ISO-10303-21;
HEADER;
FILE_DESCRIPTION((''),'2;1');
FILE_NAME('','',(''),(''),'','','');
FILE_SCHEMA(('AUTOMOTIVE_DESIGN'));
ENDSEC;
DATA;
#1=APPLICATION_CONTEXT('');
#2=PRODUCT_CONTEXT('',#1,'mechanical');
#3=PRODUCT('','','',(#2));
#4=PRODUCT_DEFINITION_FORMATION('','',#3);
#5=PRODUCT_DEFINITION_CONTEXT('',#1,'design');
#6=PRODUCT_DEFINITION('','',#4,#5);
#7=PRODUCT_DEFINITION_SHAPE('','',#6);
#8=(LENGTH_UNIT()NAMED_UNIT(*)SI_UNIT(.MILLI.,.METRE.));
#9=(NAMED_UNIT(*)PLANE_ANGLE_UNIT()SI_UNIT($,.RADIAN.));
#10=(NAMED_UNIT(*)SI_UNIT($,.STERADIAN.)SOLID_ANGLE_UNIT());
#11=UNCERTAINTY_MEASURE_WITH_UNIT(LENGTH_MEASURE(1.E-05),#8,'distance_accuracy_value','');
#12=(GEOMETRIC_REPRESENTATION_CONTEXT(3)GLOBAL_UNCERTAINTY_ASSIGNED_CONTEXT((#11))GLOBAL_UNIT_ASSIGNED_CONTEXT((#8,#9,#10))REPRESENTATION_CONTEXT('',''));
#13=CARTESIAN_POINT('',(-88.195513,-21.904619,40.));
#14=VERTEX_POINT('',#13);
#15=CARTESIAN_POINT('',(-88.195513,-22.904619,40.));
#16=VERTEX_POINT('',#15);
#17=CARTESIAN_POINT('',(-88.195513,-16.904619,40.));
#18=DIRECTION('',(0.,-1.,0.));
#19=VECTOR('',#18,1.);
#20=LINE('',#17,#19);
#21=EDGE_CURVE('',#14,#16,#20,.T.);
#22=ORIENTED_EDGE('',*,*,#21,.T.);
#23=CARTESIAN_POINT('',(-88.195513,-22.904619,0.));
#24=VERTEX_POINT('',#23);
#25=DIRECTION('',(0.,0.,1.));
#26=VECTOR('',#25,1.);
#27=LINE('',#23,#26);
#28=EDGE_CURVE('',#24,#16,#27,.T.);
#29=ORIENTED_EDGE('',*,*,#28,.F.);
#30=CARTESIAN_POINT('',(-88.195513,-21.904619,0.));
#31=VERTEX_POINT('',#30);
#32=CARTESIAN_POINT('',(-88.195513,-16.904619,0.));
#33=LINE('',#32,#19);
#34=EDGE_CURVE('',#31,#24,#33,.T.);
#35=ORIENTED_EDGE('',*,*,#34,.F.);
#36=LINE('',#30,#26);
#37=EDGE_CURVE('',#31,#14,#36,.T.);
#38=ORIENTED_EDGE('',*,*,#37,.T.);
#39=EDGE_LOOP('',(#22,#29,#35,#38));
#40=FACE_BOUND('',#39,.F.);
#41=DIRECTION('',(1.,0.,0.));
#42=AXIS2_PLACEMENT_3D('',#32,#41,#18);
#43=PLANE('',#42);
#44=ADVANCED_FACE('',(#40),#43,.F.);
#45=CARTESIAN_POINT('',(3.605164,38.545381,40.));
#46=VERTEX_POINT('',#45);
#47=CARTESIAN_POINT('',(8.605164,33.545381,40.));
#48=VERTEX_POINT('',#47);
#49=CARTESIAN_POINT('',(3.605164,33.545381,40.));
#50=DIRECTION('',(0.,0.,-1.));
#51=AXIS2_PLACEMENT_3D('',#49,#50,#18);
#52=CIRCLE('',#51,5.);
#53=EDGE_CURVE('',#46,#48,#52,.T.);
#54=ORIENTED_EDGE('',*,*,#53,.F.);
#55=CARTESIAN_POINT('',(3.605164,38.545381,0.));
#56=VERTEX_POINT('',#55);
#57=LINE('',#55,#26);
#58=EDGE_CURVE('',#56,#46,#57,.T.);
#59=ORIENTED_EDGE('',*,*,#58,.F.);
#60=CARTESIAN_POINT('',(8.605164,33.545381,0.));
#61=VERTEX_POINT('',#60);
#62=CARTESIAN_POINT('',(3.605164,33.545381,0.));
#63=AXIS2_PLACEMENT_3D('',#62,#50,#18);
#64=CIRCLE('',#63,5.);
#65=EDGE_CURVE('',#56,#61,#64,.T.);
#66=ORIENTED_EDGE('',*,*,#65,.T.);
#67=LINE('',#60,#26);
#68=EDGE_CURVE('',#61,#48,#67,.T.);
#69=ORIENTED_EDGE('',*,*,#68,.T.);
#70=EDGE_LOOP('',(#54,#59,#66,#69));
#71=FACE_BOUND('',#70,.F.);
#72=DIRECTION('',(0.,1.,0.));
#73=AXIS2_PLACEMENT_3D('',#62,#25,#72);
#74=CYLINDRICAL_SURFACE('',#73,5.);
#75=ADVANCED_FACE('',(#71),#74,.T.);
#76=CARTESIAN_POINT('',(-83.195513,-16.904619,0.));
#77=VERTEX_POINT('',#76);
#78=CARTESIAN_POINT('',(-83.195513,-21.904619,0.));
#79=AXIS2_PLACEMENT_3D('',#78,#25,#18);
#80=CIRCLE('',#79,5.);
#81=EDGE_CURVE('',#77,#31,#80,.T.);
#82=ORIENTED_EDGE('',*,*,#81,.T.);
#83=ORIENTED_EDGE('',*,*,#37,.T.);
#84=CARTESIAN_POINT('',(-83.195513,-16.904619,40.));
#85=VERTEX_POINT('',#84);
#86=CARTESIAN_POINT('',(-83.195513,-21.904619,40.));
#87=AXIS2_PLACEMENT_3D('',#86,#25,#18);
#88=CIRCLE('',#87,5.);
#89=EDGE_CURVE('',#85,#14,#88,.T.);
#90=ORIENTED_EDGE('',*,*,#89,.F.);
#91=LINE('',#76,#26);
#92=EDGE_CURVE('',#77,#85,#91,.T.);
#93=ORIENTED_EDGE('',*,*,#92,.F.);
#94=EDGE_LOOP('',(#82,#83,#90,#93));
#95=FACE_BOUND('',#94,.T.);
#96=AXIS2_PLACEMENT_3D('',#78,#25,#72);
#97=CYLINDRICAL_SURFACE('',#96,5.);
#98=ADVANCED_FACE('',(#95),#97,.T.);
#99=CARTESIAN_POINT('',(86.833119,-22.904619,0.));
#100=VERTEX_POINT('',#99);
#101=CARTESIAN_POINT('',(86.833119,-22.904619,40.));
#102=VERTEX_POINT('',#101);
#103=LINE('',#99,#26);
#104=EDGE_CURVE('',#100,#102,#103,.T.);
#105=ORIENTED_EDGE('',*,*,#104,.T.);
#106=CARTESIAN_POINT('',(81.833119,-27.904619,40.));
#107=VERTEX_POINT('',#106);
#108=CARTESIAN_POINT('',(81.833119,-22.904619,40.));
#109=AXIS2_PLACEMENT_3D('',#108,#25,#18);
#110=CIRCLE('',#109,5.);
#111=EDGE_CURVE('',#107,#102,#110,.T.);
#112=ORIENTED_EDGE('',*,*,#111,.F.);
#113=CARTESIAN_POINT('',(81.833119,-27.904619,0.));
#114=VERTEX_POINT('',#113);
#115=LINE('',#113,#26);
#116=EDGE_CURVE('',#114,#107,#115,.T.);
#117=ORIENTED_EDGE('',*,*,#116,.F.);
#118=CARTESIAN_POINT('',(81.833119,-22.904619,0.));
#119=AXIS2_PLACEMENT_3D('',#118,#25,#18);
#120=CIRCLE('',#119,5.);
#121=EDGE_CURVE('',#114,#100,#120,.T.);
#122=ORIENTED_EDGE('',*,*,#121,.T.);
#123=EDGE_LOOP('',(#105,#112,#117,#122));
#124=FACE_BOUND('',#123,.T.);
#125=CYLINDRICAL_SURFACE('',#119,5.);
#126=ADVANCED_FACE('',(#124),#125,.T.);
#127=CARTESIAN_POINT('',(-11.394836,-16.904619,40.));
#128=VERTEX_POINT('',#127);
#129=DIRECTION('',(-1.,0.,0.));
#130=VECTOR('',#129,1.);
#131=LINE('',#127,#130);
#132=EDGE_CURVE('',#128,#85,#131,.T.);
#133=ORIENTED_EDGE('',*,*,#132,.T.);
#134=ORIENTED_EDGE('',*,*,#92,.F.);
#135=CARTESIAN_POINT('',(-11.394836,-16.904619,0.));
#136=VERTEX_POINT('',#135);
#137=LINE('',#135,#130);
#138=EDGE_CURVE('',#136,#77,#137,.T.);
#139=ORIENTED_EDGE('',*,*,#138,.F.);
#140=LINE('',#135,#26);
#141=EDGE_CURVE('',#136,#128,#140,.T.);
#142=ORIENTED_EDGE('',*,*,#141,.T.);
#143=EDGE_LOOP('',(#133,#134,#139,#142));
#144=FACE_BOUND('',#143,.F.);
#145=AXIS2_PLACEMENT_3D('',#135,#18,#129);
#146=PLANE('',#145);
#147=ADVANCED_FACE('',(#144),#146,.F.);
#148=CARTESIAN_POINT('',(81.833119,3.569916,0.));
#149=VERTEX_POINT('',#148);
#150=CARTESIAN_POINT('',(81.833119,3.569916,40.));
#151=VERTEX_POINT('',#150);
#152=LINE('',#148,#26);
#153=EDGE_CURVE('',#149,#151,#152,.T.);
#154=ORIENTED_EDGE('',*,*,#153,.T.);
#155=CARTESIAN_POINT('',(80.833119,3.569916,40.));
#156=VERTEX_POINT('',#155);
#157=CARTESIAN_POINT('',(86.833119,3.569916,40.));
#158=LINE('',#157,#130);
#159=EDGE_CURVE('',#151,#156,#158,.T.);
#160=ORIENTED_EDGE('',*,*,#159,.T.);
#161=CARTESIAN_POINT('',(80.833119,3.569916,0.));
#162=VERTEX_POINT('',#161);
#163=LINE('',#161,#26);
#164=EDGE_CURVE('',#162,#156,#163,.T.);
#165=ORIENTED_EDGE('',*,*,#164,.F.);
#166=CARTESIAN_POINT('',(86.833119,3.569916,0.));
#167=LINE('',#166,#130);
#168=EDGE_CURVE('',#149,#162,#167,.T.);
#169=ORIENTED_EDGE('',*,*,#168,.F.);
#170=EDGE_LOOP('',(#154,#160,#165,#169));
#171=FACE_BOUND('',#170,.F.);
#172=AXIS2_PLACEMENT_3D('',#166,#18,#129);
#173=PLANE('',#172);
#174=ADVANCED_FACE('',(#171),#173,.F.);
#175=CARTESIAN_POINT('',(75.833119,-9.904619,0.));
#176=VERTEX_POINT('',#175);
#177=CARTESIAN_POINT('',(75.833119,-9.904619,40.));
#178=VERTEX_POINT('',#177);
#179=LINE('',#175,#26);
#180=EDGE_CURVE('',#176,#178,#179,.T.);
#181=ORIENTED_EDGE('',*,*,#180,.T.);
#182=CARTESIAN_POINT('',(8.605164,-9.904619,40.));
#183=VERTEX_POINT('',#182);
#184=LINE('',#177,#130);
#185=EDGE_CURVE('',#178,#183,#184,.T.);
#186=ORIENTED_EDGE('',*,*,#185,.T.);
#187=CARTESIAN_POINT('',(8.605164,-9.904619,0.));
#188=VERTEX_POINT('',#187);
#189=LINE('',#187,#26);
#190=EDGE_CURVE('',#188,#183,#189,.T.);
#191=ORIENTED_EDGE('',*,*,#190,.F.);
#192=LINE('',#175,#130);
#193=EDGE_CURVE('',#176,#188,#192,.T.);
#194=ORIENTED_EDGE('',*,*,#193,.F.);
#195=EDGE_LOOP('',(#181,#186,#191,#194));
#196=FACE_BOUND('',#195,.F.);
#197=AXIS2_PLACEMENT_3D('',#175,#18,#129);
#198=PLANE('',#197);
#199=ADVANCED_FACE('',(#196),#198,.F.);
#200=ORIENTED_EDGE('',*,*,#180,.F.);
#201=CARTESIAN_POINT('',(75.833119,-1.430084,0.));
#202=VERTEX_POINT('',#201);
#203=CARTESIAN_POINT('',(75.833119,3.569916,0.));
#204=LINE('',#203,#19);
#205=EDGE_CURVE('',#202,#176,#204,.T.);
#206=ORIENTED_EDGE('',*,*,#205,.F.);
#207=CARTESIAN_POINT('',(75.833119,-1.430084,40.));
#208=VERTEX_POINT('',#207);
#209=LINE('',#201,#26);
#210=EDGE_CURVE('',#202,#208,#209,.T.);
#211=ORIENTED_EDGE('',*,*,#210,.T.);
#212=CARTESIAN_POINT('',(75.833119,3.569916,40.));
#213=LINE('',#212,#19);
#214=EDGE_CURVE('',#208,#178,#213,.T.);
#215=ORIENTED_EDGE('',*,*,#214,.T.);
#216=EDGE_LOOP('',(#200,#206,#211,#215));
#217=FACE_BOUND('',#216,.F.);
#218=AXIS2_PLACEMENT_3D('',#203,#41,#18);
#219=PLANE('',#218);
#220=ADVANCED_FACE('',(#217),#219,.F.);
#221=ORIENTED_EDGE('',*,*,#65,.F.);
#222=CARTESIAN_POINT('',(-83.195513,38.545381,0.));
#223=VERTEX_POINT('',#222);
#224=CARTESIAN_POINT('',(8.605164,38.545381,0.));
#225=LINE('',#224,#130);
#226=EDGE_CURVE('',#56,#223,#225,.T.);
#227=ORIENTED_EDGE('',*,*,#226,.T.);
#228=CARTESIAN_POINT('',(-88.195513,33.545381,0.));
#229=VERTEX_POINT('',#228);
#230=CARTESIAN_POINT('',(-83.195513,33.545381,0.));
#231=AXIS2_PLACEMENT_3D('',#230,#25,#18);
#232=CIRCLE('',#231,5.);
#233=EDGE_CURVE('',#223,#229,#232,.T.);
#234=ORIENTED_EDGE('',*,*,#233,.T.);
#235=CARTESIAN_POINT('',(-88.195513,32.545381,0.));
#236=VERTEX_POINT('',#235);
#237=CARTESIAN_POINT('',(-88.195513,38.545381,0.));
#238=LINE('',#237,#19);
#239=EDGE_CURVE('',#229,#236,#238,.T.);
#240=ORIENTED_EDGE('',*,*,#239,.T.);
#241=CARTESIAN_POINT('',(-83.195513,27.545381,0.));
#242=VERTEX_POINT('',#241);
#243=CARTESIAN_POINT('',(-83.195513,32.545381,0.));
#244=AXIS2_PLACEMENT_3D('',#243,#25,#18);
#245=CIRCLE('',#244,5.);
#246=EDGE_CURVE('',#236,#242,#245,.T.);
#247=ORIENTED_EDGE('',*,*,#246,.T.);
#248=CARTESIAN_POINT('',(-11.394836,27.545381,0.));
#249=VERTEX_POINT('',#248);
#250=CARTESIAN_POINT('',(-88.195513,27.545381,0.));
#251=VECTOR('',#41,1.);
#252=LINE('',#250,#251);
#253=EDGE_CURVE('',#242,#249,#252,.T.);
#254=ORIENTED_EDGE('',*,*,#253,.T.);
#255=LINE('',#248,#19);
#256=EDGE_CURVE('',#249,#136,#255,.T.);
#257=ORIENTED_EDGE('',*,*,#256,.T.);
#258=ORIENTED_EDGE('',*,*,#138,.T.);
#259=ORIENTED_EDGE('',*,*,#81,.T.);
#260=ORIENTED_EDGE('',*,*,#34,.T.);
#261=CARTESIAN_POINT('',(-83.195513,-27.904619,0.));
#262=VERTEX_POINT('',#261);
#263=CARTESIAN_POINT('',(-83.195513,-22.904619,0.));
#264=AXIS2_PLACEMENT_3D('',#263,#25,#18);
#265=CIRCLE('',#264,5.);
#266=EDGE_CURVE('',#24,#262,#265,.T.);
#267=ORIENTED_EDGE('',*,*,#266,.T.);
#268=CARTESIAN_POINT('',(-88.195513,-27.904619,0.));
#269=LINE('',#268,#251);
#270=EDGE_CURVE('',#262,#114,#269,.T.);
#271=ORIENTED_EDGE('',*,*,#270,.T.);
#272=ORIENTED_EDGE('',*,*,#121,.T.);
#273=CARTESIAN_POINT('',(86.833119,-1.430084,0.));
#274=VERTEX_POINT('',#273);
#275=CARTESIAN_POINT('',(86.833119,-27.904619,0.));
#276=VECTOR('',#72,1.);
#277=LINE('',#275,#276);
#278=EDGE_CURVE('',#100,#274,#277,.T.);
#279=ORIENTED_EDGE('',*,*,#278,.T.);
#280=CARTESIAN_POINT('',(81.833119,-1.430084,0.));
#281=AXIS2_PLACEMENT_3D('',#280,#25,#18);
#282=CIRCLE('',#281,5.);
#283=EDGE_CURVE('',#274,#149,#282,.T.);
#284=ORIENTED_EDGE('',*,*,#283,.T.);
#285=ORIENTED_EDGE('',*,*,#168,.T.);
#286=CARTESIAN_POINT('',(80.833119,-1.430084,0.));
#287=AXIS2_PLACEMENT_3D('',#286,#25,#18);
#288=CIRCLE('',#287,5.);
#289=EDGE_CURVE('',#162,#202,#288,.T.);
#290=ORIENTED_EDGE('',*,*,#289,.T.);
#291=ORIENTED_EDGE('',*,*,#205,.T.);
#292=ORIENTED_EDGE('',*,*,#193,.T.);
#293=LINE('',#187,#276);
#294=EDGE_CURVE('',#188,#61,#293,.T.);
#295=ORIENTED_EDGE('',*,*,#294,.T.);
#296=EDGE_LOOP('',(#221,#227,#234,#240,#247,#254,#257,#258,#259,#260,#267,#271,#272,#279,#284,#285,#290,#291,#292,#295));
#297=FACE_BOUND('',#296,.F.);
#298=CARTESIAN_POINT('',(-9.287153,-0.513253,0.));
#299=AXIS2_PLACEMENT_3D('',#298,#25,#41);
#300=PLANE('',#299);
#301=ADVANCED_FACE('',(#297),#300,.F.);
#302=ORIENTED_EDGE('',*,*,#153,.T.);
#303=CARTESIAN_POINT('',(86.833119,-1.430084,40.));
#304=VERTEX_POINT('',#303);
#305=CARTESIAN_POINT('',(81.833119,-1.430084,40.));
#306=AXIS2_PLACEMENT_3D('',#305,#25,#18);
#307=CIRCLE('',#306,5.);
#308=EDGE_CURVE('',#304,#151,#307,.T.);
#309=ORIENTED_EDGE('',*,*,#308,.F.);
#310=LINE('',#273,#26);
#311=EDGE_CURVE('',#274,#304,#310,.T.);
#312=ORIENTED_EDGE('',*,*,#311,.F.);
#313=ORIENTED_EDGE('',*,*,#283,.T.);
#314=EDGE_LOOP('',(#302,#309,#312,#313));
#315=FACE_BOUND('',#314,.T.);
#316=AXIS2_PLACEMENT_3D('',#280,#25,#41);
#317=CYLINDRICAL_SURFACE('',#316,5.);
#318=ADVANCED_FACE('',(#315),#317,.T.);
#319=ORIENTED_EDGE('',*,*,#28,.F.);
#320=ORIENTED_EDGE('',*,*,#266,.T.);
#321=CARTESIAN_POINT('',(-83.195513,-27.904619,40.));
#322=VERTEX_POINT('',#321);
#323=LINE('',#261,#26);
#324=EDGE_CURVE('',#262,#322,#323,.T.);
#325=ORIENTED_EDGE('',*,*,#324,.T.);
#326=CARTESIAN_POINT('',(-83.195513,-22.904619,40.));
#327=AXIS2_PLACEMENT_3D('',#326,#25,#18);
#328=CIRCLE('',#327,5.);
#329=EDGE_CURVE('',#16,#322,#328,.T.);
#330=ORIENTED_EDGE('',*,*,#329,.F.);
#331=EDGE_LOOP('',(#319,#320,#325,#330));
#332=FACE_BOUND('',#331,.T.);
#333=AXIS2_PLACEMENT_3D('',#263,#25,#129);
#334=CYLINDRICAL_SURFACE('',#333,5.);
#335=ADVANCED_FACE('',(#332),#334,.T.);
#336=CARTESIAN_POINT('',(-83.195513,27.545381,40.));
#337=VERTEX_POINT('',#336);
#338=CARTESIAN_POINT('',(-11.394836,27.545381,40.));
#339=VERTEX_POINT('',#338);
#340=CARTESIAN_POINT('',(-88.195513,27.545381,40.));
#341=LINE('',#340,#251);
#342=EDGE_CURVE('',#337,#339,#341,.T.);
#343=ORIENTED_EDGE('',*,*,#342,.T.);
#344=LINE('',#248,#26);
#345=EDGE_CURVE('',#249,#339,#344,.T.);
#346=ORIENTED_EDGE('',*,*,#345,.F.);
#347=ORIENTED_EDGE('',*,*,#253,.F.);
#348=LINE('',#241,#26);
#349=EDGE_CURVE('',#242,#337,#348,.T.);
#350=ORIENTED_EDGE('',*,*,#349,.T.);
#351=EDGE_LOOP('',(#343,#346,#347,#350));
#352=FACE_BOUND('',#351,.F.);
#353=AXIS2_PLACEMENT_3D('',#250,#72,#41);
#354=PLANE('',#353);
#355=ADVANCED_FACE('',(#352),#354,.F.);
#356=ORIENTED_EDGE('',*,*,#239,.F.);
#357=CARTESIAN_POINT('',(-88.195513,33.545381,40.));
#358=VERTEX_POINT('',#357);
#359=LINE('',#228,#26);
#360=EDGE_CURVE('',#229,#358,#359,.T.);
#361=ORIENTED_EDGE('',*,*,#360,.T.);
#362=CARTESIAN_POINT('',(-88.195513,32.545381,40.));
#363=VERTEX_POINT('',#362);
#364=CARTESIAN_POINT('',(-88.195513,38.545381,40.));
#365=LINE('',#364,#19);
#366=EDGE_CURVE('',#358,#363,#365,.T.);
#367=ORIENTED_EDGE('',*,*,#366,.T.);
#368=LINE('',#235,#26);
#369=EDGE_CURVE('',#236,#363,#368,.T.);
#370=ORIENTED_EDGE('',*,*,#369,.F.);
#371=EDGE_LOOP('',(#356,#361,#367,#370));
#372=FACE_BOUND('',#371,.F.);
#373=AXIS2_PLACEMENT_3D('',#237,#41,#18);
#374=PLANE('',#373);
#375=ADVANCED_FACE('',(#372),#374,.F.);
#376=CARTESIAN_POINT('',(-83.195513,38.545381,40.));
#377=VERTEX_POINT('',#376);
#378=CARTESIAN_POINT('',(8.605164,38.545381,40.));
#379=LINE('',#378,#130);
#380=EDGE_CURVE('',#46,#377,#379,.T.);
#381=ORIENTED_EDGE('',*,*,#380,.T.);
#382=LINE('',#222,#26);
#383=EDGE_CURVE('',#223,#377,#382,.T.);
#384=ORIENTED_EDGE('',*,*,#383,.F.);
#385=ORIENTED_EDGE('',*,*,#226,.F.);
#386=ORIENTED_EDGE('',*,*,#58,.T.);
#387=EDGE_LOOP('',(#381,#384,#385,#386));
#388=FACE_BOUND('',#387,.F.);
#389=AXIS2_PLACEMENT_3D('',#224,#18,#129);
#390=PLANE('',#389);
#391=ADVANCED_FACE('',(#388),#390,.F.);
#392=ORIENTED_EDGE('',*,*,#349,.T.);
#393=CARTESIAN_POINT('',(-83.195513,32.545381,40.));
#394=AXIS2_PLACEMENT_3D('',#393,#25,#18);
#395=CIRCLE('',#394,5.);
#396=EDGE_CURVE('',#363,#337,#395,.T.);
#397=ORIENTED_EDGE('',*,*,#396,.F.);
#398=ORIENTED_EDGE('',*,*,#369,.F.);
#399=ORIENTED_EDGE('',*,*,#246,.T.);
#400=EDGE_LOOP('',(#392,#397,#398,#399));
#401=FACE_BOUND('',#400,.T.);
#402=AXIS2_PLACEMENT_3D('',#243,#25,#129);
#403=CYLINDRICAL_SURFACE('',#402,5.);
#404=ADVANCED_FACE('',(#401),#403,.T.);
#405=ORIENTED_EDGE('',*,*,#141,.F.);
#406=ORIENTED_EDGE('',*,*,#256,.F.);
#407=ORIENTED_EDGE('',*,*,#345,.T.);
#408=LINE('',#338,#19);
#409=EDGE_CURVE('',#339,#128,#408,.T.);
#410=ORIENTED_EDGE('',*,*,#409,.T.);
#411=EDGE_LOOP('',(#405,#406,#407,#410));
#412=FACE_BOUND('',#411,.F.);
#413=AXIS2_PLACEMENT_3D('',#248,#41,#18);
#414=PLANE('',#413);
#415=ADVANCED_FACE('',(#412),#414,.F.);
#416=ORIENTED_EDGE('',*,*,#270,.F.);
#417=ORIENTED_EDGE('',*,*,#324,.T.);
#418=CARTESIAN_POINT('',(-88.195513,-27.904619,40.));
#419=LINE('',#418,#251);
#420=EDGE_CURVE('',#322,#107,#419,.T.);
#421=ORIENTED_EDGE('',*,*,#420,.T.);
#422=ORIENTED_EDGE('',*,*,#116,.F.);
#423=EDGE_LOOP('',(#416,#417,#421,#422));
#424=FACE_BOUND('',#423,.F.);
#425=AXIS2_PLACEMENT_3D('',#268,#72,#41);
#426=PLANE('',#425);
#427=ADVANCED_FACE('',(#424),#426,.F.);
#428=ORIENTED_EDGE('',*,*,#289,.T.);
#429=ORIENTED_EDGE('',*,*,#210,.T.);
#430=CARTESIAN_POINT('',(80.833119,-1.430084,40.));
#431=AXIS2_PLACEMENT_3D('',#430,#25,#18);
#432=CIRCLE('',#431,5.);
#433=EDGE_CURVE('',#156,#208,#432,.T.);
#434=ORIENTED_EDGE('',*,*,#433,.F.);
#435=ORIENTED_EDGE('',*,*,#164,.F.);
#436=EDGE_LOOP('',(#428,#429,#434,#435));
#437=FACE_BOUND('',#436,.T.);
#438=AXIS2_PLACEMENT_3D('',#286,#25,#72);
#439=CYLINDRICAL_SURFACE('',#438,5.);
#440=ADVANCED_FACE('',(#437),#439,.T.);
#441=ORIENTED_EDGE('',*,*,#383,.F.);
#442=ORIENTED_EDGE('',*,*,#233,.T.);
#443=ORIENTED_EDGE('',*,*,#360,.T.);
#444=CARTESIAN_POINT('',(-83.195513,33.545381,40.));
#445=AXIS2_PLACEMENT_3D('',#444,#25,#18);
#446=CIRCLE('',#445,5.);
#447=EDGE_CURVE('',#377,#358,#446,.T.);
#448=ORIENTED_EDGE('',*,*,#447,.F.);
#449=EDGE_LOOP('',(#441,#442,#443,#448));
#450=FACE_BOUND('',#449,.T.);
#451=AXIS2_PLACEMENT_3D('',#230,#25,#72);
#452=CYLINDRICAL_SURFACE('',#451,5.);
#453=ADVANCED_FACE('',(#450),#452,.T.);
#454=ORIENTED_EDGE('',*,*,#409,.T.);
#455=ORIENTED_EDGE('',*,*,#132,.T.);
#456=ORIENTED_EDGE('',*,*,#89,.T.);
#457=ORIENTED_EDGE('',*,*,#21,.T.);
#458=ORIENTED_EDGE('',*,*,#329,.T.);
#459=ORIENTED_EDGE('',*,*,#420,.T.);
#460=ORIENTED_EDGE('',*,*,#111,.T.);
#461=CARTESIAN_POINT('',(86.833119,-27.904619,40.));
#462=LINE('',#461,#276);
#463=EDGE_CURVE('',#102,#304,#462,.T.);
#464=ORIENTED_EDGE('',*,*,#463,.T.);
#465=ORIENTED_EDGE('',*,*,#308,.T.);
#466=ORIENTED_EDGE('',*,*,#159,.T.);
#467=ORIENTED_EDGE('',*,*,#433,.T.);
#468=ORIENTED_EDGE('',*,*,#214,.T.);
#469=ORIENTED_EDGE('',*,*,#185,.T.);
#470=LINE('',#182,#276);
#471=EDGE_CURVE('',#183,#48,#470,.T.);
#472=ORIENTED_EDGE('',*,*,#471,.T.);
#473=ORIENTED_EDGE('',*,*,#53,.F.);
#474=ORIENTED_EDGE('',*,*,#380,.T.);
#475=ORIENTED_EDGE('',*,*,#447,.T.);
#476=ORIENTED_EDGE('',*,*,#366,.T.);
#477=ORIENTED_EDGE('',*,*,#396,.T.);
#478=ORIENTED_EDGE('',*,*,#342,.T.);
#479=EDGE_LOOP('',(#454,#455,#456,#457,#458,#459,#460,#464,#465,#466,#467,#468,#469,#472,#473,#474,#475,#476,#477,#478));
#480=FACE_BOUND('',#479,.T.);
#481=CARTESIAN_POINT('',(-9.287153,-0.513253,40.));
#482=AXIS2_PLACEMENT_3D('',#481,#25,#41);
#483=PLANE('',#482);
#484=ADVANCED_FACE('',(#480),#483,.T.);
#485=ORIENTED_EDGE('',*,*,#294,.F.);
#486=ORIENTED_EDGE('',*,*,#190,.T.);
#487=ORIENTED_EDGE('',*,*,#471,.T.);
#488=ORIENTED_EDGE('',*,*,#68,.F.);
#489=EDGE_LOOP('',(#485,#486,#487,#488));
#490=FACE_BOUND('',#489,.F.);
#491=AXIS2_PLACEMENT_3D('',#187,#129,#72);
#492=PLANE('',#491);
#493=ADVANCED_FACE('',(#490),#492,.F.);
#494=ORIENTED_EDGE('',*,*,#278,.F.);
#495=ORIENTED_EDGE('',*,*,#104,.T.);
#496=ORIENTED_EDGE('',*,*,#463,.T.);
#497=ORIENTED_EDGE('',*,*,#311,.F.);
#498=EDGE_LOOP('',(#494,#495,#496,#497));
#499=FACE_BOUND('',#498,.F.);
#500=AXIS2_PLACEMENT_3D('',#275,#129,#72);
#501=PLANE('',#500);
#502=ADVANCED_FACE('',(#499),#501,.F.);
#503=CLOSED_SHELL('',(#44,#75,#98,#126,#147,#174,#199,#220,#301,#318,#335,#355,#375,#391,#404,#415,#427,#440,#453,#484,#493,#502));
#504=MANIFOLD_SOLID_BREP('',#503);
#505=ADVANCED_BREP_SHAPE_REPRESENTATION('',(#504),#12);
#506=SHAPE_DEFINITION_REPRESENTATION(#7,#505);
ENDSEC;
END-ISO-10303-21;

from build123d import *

# Parameters (mm, degrees)
F1_DEPTH = 40
F2_R     = 5


with BuildPart() as f1:
    # F0 (on Top) → F1 (new body)
    with BuildSketch(Plane.XY):
        Polygon((8.605164, 38.545381), (-88.195513, 38.545381), (-88.195513, 27.545381), (-11.394836, 27.545381), (-11.394836, -16.904619), (-88.195513, -16.904619), (-88.195513, -27.904619), (86.833119, -27.904619), (86.833119, 3.569916), (75.833119, 3.569916), (75.833119, -9.904619), (8.605164, -9.904619), align=None)
    extrude(amount=F1_DEPTH)

    # F2
    f2_edges = [f1.edges().sort_by_distance(p)[0] for p in [
        (8.605164, 38.545381, 20),
        (86.833119, -27.904619, 20),
        (-88.195513, -27.904619, 20),
        (-88.195513, -16.904619, 20),
        (-88.195513, 27.545381, 20),
        (-88.195513, 38.545381, 20),
        (86.833119, 3.569916, 20),
        (75.833119, 3.569916, 20),
    ]]
    fillet(f2_edges, radius=F2_R)


solid = f1.part
